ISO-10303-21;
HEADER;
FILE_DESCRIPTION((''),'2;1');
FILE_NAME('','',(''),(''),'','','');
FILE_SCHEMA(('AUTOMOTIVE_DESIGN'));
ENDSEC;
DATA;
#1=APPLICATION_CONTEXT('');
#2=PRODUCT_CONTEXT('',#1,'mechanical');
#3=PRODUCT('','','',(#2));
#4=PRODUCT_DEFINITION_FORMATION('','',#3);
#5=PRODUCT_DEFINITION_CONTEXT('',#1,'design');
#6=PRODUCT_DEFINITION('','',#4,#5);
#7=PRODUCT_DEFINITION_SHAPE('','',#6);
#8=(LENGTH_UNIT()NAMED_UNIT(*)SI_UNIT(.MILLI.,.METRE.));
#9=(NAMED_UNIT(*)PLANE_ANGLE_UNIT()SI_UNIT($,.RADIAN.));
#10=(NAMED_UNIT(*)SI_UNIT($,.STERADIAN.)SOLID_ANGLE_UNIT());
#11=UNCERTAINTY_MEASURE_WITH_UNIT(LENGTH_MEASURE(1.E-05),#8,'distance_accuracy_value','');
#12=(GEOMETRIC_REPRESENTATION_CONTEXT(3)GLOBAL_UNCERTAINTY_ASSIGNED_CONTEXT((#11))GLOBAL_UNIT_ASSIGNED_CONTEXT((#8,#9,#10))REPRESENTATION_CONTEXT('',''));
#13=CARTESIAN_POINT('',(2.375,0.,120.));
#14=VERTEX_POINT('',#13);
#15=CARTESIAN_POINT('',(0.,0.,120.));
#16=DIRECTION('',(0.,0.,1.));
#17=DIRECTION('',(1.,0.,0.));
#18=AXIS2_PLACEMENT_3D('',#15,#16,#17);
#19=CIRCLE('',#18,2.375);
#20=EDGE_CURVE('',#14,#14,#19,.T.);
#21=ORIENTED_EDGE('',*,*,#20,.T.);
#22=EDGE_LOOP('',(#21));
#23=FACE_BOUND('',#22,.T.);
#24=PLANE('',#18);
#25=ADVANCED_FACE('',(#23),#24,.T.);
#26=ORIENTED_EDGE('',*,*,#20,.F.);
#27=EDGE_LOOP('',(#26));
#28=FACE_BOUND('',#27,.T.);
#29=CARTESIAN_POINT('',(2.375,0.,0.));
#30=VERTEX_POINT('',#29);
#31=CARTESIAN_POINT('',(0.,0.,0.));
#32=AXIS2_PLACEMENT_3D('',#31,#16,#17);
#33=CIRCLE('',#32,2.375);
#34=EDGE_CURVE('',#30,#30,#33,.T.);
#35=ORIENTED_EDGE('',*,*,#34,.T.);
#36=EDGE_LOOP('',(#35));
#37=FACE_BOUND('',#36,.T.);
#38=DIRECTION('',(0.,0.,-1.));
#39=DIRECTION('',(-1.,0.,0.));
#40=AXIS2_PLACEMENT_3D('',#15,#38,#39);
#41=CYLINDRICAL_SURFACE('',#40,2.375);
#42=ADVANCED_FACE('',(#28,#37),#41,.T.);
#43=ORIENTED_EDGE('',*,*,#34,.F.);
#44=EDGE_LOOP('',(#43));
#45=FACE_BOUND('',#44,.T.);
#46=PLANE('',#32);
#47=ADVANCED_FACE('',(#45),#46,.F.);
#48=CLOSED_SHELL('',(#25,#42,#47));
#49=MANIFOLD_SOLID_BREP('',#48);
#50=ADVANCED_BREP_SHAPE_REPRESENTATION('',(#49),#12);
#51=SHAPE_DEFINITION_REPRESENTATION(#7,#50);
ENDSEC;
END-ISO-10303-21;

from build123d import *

# Parameters (mm, degrees)
SKETCH1_R           = 2.375
BOSS_EXTRUDE1_DEPTH = 120


with BuildPart() as part:
    # Sketch1 → Boss-Extrude1 (new body)
    with BuildSketch(Plane.XY):
        Circle(SKETCH1_R)
    extrude(amount=BOSS_EXTRUDE1_DEPTH)


solid = part.part
